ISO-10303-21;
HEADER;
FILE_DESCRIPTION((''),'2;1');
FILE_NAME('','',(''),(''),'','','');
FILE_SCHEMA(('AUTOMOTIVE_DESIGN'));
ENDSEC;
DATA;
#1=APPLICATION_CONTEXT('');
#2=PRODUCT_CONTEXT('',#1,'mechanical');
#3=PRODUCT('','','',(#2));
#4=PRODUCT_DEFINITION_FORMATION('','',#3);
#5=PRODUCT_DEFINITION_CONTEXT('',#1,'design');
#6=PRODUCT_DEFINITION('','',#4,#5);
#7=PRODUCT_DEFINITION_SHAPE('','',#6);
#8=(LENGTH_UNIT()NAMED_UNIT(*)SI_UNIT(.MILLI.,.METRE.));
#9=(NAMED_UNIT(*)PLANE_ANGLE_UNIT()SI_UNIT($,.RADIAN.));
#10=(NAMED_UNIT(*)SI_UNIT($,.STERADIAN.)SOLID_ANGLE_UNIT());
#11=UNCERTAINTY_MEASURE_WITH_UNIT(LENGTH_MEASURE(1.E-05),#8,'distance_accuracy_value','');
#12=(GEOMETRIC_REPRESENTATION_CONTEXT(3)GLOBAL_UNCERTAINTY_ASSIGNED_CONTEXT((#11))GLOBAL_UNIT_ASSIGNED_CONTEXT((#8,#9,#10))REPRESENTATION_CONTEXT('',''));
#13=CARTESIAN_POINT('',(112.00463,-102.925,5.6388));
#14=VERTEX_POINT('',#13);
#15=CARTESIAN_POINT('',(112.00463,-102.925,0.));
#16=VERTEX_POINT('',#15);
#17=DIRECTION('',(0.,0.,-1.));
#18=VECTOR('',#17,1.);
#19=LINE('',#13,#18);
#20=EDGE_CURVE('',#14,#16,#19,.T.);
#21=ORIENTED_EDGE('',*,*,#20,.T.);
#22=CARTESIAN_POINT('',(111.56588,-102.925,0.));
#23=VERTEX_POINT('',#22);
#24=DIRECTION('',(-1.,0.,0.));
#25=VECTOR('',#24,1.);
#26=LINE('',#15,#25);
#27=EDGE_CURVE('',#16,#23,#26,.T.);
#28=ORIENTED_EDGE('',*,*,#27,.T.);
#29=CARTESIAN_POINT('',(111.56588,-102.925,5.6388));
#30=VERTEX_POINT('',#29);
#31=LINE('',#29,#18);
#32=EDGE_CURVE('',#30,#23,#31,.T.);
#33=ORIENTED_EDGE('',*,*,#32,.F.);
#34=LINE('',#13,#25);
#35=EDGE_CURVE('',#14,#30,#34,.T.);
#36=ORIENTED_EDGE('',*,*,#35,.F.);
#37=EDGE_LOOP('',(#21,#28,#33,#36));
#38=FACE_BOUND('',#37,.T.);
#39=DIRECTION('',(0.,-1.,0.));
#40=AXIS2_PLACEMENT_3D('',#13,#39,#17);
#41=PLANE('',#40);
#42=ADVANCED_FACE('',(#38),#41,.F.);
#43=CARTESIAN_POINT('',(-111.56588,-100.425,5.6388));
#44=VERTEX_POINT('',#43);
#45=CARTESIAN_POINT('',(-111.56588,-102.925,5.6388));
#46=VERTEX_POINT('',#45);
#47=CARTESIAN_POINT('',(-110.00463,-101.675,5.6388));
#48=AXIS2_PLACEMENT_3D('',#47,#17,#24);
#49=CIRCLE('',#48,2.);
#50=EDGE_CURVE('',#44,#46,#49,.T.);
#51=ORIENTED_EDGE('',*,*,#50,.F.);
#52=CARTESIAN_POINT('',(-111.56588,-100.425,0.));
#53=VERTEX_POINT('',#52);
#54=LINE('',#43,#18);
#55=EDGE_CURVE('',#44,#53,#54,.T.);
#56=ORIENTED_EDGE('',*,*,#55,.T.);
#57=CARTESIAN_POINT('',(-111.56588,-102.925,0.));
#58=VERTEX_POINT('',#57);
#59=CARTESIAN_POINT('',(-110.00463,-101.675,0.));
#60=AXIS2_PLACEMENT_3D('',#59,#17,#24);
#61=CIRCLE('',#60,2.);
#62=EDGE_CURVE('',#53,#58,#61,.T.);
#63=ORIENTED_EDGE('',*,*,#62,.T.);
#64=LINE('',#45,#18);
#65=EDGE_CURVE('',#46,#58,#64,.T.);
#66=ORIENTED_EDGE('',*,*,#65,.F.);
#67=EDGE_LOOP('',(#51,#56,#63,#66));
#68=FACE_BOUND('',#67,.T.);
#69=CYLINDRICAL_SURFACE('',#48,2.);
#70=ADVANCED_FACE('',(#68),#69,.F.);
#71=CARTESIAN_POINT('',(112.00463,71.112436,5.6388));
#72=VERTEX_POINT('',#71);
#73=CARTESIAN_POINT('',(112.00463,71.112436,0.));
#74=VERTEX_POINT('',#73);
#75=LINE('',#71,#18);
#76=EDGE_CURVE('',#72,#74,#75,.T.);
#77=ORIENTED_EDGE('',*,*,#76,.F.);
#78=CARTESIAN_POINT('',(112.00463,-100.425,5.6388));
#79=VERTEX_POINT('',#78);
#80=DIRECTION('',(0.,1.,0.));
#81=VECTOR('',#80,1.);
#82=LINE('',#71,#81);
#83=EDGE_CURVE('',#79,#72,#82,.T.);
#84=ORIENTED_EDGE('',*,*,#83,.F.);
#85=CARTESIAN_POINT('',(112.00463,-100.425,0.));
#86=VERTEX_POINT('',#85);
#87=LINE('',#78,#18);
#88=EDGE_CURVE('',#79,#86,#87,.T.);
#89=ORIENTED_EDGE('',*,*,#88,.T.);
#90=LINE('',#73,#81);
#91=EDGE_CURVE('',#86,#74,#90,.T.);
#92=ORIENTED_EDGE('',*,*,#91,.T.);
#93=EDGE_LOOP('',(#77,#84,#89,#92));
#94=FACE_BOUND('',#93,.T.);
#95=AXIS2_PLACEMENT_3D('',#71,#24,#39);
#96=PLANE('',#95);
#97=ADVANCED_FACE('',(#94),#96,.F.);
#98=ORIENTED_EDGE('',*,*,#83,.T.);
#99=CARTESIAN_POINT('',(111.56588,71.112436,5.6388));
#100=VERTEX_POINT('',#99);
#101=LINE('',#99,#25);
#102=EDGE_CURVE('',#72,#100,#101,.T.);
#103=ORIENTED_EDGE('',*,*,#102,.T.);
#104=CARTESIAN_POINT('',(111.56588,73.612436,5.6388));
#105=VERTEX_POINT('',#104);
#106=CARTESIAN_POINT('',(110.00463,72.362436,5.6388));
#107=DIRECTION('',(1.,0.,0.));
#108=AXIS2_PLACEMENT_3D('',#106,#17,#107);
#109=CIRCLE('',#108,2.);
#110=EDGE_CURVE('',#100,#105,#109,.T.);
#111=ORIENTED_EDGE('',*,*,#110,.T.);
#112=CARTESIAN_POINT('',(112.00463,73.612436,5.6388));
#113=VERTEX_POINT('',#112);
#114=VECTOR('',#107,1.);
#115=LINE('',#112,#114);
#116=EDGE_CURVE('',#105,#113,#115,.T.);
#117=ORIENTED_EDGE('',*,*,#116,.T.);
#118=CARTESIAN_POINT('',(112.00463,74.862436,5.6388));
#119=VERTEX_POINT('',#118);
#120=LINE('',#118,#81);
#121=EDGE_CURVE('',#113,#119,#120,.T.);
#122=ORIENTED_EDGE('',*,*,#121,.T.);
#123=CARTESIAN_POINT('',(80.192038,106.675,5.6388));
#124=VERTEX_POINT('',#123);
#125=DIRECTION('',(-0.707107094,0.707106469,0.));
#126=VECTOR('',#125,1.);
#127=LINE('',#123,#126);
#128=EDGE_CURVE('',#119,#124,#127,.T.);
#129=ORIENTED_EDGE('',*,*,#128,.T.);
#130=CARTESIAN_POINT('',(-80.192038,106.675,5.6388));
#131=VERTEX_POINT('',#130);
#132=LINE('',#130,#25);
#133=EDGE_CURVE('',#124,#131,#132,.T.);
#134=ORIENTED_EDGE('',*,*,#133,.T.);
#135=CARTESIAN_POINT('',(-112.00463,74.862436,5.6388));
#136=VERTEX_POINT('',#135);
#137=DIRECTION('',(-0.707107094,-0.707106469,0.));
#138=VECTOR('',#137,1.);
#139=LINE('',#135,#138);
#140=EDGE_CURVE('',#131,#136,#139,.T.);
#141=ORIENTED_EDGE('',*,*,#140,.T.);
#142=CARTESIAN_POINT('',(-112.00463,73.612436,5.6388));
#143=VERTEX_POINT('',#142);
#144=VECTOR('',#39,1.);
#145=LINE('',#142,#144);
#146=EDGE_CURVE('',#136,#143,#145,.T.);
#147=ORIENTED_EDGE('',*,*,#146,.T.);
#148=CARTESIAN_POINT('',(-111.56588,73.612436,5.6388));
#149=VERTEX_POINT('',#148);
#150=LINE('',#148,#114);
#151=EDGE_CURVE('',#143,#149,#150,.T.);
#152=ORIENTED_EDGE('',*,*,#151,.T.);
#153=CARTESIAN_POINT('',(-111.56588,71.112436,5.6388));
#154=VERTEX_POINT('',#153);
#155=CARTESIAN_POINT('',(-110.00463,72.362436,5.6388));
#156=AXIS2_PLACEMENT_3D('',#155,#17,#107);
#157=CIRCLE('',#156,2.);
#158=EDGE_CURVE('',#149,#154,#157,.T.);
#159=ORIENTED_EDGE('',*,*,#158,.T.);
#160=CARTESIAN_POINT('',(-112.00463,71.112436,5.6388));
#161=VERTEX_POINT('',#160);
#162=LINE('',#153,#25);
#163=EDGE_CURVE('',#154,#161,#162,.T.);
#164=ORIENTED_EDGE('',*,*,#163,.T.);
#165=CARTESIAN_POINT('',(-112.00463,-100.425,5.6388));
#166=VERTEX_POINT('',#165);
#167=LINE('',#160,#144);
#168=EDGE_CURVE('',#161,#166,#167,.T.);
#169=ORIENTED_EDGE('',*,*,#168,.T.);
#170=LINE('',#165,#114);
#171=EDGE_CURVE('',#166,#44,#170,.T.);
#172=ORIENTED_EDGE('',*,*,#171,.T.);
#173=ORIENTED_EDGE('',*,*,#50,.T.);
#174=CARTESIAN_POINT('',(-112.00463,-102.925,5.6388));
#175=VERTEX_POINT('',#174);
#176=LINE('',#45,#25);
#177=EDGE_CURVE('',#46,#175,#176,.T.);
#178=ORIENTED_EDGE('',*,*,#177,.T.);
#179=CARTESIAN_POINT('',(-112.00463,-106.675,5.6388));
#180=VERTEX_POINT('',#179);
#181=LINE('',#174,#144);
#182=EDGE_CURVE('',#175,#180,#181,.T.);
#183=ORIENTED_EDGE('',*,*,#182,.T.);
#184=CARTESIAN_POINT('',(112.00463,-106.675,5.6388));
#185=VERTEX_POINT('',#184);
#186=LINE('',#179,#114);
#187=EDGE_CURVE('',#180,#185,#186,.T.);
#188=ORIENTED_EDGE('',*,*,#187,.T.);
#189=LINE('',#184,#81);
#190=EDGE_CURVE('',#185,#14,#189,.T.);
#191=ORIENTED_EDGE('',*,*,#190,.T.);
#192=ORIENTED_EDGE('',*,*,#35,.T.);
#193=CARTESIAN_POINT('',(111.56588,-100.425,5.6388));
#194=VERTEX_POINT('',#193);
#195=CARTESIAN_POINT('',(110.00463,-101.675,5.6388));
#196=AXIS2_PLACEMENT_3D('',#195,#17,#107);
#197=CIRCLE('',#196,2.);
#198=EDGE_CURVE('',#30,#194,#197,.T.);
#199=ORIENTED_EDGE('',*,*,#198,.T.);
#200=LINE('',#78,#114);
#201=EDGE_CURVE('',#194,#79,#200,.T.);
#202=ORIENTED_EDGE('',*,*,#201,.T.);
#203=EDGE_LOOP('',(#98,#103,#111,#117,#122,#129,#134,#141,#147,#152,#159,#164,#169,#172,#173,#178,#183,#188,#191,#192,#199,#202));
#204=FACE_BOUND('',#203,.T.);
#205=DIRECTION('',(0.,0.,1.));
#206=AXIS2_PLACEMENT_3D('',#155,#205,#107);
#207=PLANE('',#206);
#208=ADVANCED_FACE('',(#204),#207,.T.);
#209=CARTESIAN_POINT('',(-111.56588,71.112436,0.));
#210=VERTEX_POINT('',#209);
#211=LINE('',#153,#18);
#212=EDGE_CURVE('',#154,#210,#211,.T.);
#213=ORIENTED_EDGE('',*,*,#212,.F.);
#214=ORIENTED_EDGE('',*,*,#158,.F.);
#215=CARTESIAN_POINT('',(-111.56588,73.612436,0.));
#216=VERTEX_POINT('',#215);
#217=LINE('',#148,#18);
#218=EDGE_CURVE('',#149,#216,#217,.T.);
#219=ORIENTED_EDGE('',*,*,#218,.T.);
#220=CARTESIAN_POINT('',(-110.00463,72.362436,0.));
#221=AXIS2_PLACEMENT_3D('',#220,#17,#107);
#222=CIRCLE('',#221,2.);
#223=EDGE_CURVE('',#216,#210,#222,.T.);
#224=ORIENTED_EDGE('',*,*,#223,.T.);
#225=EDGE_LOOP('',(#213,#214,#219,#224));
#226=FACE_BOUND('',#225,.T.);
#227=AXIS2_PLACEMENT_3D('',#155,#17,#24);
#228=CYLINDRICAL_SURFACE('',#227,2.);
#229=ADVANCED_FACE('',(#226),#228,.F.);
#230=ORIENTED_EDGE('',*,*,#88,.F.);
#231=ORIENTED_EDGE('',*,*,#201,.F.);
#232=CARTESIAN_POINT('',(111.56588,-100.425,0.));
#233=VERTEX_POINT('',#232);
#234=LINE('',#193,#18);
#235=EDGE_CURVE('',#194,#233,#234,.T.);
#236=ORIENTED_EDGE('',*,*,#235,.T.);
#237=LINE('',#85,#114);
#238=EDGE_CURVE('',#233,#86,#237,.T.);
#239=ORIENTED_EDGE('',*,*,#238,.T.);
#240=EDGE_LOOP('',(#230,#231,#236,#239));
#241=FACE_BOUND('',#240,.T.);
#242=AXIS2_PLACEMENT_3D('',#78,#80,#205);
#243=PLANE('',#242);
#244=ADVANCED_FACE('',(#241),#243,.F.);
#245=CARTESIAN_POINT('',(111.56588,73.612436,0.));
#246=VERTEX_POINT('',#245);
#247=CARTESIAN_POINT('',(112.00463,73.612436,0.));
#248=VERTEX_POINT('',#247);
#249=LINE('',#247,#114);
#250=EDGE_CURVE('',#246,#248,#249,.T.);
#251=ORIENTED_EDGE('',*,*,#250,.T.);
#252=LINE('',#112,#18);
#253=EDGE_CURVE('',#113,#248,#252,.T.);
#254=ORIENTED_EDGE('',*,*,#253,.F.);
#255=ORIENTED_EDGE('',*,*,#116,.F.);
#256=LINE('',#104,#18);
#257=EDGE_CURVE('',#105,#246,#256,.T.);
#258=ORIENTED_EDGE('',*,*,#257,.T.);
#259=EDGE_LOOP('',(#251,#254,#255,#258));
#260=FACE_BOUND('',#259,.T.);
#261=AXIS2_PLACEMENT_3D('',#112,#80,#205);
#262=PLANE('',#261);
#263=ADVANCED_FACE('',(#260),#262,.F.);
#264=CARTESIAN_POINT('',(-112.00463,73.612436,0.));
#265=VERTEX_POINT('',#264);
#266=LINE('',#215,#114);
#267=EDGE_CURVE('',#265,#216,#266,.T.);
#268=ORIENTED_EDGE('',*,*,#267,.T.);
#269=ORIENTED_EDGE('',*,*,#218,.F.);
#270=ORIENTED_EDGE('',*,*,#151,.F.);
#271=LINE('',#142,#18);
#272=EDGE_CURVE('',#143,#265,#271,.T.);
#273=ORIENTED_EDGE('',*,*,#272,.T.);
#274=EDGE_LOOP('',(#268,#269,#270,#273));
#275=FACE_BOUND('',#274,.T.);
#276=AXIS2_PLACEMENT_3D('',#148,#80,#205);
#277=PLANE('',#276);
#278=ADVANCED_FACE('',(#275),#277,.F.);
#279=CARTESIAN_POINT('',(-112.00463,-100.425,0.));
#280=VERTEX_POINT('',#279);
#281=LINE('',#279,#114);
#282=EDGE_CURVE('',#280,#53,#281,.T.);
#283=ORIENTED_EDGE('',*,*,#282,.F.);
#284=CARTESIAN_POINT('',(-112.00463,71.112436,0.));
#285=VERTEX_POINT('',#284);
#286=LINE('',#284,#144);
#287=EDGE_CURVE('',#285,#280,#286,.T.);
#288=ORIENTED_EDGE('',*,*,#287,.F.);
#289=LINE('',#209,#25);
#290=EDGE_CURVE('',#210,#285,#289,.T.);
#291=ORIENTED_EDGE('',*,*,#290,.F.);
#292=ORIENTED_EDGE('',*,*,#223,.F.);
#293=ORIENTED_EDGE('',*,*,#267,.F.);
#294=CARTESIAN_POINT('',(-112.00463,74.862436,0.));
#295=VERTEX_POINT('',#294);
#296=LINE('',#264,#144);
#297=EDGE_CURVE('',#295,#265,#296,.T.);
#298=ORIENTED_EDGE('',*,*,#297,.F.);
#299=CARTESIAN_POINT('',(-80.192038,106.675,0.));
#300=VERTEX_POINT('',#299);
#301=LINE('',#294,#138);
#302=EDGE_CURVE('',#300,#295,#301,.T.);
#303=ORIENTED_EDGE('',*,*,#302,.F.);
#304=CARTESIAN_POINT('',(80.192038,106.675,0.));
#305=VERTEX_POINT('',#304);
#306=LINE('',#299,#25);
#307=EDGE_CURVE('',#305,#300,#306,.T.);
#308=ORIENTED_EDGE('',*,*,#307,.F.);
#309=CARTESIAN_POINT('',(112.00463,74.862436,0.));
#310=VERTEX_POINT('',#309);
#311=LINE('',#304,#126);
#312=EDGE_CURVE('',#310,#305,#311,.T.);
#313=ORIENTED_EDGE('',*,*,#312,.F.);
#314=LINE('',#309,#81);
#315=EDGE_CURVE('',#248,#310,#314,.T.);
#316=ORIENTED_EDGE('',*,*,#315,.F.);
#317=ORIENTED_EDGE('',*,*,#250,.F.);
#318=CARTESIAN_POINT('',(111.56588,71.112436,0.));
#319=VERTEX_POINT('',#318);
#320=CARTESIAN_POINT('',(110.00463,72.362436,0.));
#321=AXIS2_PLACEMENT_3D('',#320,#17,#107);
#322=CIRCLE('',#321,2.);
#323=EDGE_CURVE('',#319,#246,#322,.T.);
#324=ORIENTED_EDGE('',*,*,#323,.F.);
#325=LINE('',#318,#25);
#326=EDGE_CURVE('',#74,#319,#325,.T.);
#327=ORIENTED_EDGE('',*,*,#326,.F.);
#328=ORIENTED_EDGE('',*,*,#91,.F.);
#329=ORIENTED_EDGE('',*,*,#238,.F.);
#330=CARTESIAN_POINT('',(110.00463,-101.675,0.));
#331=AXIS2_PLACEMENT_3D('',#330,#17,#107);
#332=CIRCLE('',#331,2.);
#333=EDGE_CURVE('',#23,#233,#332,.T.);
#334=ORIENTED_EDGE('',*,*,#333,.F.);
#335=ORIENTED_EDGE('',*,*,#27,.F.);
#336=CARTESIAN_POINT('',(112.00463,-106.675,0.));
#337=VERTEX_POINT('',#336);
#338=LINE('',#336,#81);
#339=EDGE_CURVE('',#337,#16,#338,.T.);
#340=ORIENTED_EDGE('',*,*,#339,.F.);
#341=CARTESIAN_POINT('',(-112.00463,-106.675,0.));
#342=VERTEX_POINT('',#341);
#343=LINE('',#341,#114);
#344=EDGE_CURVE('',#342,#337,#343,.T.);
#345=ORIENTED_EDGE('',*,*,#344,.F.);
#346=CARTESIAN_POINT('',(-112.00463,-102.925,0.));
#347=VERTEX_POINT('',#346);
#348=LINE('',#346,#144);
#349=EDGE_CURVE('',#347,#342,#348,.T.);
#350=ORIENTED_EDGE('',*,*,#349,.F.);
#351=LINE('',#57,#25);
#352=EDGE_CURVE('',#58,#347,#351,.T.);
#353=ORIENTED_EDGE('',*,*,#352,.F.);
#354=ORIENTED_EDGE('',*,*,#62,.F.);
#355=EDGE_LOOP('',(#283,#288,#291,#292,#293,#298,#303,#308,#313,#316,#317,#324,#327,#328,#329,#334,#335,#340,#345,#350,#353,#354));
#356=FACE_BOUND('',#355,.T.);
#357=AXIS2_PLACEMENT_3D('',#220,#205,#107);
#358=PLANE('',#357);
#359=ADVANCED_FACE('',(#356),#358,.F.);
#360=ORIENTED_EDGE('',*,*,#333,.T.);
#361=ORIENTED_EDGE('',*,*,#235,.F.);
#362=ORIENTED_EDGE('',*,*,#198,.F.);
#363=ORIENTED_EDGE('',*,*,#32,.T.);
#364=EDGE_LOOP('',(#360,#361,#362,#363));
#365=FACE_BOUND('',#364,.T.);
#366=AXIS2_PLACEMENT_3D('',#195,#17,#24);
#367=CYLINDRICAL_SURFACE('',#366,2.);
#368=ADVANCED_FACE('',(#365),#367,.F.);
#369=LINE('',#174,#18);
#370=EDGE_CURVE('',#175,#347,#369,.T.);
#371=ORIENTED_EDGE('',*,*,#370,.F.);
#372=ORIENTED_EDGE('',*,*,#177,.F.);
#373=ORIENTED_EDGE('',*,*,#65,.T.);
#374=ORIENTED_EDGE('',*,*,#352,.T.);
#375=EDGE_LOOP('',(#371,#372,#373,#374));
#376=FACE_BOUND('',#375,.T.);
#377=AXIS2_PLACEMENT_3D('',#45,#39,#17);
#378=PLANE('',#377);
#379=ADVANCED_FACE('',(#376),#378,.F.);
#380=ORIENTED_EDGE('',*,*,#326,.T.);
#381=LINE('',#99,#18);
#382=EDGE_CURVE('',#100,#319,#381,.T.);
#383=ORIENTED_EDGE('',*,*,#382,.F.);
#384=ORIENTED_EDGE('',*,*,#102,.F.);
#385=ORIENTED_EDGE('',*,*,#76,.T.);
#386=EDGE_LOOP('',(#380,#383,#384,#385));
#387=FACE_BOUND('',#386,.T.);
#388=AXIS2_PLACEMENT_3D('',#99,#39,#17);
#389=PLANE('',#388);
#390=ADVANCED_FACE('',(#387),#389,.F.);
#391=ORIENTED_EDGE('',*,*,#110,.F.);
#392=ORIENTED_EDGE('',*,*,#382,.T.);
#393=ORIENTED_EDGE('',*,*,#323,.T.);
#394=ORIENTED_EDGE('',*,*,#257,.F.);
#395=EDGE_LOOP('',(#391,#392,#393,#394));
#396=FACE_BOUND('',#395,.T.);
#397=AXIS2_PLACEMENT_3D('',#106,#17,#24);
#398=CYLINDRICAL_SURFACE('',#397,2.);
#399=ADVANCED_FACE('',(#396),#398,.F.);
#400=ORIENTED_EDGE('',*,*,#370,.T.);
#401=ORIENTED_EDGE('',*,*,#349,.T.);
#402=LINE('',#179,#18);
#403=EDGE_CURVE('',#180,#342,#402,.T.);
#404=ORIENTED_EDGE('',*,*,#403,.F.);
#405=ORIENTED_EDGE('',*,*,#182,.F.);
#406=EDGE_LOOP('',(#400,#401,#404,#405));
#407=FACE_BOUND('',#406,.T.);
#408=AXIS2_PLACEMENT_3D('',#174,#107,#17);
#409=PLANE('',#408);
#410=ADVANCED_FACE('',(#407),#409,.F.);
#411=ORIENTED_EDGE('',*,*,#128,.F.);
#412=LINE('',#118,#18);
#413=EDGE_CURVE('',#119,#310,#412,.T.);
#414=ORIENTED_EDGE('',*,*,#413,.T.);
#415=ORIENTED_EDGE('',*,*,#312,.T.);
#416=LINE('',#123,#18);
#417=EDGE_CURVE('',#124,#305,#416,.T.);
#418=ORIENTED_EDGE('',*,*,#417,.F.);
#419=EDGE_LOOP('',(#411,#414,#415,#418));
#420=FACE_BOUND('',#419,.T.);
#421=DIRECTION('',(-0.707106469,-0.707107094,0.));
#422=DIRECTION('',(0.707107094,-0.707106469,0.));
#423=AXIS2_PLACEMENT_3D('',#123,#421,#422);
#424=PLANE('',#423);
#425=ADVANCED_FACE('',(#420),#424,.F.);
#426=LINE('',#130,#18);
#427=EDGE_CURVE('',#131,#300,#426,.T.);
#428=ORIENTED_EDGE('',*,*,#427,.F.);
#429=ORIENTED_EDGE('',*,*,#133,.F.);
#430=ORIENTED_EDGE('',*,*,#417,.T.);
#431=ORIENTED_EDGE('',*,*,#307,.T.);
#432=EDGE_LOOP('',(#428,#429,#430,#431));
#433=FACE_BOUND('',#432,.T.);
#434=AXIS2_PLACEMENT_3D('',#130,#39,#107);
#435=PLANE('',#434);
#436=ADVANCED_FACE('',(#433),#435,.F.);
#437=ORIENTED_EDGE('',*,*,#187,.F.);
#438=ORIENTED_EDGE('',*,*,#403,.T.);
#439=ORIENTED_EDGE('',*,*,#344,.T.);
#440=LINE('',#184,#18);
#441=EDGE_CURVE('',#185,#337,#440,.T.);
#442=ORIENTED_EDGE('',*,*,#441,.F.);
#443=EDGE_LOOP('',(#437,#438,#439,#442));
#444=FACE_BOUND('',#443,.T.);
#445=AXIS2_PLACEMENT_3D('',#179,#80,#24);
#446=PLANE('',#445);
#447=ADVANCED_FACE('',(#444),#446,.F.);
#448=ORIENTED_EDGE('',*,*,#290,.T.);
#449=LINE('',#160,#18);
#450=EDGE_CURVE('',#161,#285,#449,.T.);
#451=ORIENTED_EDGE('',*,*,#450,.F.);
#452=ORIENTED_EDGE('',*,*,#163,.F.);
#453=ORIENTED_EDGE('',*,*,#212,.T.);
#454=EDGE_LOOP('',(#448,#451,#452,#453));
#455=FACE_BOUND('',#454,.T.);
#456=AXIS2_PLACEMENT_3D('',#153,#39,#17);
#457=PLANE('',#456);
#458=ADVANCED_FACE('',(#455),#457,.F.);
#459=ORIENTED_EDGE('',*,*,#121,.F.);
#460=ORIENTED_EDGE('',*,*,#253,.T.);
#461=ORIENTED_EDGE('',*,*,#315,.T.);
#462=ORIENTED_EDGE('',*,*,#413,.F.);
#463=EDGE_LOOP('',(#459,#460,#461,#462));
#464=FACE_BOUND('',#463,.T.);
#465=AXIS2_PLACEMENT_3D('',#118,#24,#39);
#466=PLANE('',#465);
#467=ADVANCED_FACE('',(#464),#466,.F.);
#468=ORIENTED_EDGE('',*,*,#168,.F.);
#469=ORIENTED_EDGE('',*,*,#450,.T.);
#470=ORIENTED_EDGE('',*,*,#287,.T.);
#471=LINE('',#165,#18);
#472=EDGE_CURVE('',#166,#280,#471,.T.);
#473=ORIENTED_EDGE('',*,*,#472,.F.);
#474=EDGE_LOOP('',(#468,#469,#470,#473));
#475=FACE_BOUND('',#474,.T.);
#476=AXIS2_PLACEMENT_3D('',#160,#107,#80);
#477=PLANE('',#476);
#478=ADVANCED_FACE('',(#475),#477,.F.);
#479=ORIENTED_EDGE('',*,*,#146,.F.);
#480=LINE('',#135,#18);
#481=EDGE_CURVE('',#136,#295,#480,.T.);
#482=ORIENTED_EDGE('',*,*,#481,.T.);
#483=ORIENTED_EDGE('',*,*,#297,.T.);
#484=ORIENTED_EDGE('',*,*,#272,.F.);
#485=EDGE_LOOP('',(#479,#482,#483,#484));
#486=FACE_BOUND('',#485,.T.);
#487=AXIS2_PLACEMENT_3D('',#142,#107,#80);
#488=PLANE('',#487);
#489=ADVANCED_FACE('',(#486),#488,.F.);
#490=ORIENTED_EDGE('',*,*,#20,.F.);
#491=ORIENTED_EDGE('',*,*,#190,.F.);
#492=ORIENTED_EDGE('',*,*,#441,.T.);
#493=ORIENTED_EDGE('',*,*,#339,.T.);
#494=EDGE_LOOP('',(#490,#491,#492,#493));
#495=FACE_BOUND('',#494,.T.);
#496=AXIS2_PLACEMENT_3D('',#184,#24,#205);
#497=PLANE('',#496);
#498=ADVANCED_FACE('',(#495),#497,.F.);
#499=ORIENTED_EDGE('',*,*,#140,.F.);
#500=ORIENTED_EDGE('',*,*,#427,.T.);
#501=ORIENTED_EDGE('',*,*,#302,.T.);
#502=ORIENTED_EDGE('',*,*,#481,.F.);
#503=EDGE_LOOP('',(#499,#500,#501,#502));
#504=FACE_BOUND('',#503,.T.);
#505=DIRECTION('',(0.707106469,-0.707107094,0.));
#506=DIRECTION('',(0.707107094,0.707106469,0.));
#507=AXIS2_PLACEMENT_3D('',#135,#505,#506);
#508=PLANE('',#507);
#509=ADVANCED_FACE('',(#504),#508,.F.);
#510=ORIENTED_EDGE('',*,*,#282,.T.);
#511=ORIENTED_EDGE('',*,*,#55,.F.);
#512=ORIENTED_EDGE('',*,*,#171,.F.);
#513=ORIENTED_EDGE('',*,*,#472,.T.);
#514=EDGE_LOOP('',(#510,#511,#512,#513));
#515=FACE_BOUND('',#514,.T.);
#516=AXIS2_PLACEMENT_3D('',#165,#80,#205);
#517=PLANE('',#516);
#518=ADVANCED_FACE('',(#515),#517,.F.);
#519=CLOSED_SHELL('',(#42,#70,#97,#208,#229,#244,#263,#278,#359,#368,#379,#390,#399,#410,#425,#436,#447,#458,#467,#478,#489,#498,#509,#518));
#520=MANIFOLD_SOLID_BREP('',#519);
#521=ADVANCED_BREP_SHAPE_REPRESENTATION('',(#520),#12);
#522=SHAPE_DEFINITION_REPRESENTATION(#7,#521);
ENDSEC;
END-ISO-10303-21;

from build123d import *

# Parameters (mm, degrees)
BOSS_EXTRUDE1_DEPTH = 5.6388


with BuildPart() as part:
    # Sketch5 → Boss-Extrude1 (new body)
    with BuildSketch(Plane.XY):
        with BuildLine():
            Line((-111.565879557, 73.61243575), (-112.004630057, 73.61243575))
            Line((-112.004630057, 73.61243575), (-112.004630057, 74.86243575))
            Line((-112.004630057, 74.86243575), (-80.192037686, 106.675))
            Line((-80.192037686, 106.675), (80.192037686, 106.675))
            Line((80.192037686, 106.675), (112.004630057, 74.86243575))
            Line((112.004630057, 74.86243575), (112.004630057, 73.61243575))
            Line((112.004630057, 73.61243575), (111.565879557, 73.61243575))
            ThreePointArc((111.565879557, 73.61243575), (108.004630057, 72.36243575), (111.565879557, 71.11243575))
            Line((111.565879557, 71.11243575), (112.004630057, 71.11243575))
            Line((112.004630057, 71.11243575), (112.004630057, -100.425))
            Line((112.004630057, -100.425), (111.565879557, -100.425))
            ThreePointArc((111.565879557, -100.425), (108.004630057, -101.675), (111.565879557, -102.925))
            Line((111.565879557, -102.925), (112.004630057, -102.925))
            Line((112.004630057, -102.925), (112.004630057, -106.675))
            Line((112.004630057, -106.675), (-112.004630057, -106.675))
            Line((-112.004630057, -106.675), (-112.004630057, -102.925))
            Line((-112.004630057, -102.925), (-111.565879557, -102.925))
            ThreePointArc((-111.565879557, -102.925), (-108.004630057, -101.675), (-111.565879557, -100.425))
            Line((-111.565879557, -100.425), (-112.004630057, -100.425))
            Line((-112.004630057, -100.425), (-112.004630057, 71.11243575))
            Line((-112.004630057, 71.11243575), (-111.565879557, 71.11243575))
            ThreePointArc((-111.565879557, 71.11243575), (-108.004630057, 72.36243575), (-111.565879557, 73.61243575))
        make_face()
    extrude(amount=BOSS_EXTRUDE1_DEPTH)


solid = part.part
